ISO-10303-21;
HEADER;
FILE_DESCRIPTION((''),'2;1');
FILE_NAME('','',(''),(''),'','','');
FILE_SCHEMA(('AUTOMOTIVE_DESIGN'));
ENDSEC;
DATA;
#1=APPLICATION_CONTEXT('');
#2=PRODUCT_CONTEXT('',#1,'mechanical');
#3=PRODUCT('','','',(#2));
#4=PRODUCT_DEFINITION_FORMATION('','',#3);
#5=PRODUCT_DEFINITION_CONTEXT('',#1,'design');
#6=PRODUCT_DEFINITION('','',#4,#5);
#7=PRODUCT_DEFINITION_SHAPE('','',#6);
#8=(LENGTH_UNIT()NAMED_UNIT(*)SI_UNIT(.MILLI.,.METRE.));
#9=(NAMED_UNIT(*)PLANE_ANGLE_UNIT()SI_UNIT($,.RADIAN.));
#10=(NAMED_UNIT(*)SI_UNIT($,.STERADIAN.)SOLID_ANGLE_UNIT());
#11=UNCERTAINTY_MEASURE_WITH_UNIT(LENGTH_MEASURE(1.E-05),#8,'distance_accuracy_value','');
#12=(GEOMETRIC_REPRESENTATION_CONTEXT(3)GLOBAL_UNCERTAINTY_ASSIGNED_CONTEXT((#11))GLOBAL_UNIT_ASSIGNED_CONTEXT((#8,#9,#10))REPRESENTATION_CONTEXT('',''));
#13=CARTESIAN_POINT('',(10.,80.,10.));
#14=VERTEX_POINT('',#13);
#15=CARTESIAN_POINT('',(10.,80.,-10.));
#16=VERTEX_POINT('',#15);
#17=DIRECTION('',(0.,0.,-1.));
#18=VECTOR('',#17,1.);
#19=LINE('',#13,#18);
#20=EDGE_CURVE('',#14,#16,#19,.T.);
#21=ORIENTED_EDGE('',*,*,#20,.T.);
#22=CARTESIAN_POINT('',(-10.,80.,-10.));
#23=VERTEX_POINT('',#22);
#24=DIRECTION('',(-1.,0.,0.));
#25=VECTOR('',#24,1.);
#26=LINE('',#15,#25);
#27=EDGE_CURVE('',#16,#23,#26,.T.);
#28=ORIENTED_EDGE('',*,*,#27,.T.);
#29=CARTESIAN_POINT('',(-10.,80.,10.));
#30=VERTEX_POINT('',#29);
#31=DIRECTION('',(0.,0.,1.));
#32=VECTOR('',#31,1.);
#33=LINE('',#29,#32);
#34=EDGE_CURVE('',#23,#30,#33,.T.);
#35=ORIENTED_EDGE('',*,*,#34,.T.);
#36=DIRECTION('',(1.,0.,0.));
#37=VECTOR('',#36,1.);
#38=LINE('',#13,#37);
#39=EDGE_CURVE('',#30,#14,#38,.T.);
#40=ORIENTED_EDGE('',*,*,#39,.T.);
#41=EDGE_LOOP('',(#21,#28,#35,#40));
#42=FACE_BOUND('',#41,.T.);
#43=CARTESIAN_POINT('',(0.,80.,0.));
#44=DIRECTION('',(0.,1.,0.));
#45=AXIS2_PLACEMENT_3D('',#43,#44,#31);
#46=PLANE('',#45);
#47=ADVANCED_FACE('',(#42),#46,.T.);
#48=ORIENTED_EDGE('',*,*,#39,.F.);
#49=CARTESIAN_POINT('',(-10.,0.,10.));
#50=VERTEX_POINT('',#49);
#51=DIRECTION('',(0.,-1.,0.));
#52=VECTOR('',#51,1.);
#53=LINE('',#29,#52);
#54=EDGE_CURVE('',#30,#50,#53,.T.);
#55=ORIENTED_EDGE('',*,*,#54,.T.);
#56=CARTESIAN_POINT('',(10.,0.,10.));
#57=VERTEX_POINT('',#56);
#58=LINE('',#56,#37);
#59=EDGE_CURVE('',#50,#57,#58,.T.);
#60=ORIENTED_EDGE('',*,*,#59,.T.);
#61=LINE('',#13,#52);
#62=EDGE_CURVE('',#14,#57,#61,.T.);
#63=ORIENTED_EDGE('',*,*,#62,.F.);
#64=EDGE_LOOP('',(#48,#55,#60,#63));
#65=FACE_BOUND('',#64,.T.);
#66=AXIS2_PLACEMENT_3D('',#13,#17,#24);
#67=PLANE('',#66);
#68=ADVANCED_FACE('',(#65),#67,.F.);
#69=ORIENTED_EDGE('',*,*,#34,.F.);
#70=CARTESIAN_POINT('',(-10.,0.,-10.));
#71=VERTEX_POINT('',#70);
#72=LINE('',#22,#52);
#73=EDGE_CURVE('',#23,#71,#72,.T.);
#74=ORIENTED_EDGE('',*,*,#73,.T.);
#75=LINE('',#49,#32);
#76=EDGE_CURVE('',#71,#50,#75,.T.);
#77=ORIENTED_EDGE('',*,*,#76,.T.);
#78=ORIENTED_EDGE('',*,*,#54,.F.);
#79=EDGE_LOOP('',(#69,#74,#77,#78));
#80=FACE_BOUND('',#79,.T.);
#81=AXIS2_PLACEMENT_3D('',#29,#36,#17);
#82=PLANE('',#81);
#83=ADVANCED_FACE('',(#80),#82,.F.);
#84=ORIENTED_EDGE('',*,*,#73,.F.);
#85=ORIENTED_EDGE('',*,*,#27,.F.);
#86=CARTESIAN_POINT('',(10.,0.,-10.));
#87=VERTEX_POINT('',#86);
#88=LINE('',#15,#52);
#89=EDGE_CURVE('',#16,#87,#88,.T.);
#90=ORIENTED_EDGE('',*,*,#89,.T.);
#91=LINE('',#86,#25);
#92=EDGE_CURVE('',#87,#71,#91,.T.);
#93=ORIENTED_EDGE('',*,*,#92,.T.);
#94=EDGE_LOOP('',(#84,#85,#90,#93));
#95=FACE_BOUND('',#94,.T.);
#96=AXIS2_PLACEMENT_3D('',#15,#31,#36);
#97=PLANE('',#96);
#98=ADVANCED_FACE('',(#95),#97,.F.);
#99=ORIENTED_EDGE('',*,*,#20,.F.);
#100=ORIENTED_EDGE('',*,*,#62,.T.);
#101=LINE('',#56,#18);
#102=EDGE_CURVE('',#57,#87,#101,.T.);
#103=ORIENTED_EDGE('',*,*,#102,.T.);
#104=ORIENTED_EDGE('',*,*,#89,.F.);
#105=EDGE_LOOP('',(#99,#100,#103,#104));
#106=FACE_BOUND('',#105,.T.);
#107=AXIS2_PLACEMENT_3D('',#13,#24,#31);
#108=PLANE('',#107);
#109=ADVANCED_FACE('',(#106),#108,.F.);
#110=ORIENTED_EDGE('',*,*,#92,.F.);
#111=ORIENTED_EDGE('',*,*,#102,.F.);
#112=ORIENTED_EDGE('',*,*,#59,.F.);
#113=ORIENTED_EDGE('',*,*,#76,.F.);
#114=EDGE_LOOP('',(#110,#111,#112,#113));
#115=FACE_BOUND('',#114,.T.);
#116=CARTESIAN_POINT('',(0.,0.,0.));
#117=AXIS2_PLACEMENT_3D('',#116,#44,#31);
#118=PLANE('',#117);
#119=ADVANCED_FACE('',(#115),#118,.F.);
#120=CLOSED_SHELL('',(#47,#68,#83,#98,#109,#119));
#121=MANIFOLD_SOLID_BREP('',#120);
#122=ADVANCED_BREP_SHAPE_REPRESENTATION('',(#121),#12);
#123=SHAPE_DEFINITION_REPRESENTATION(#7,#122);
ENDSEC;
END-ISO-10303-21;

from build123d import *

# Parameters (mm, degrees)
SKETCH_1_W      = 20
SKETCH_1_H      = 20
EXTRUDE_1_DEPTH = 80


with BuildPart() as part:
    # 草图1 → 凸台-拉伸1 (new body)
    with BuildSketch(Plane(origin=(0, 0, 0), x_dir=(1, 0, 0), z_dir=(0, 1, 0))):
        Rectangle(SKETCH_1_W, SKETCH_1_H)
    extrude(amount=EXTRUDE_1_DEPTH)


solid = part.part
